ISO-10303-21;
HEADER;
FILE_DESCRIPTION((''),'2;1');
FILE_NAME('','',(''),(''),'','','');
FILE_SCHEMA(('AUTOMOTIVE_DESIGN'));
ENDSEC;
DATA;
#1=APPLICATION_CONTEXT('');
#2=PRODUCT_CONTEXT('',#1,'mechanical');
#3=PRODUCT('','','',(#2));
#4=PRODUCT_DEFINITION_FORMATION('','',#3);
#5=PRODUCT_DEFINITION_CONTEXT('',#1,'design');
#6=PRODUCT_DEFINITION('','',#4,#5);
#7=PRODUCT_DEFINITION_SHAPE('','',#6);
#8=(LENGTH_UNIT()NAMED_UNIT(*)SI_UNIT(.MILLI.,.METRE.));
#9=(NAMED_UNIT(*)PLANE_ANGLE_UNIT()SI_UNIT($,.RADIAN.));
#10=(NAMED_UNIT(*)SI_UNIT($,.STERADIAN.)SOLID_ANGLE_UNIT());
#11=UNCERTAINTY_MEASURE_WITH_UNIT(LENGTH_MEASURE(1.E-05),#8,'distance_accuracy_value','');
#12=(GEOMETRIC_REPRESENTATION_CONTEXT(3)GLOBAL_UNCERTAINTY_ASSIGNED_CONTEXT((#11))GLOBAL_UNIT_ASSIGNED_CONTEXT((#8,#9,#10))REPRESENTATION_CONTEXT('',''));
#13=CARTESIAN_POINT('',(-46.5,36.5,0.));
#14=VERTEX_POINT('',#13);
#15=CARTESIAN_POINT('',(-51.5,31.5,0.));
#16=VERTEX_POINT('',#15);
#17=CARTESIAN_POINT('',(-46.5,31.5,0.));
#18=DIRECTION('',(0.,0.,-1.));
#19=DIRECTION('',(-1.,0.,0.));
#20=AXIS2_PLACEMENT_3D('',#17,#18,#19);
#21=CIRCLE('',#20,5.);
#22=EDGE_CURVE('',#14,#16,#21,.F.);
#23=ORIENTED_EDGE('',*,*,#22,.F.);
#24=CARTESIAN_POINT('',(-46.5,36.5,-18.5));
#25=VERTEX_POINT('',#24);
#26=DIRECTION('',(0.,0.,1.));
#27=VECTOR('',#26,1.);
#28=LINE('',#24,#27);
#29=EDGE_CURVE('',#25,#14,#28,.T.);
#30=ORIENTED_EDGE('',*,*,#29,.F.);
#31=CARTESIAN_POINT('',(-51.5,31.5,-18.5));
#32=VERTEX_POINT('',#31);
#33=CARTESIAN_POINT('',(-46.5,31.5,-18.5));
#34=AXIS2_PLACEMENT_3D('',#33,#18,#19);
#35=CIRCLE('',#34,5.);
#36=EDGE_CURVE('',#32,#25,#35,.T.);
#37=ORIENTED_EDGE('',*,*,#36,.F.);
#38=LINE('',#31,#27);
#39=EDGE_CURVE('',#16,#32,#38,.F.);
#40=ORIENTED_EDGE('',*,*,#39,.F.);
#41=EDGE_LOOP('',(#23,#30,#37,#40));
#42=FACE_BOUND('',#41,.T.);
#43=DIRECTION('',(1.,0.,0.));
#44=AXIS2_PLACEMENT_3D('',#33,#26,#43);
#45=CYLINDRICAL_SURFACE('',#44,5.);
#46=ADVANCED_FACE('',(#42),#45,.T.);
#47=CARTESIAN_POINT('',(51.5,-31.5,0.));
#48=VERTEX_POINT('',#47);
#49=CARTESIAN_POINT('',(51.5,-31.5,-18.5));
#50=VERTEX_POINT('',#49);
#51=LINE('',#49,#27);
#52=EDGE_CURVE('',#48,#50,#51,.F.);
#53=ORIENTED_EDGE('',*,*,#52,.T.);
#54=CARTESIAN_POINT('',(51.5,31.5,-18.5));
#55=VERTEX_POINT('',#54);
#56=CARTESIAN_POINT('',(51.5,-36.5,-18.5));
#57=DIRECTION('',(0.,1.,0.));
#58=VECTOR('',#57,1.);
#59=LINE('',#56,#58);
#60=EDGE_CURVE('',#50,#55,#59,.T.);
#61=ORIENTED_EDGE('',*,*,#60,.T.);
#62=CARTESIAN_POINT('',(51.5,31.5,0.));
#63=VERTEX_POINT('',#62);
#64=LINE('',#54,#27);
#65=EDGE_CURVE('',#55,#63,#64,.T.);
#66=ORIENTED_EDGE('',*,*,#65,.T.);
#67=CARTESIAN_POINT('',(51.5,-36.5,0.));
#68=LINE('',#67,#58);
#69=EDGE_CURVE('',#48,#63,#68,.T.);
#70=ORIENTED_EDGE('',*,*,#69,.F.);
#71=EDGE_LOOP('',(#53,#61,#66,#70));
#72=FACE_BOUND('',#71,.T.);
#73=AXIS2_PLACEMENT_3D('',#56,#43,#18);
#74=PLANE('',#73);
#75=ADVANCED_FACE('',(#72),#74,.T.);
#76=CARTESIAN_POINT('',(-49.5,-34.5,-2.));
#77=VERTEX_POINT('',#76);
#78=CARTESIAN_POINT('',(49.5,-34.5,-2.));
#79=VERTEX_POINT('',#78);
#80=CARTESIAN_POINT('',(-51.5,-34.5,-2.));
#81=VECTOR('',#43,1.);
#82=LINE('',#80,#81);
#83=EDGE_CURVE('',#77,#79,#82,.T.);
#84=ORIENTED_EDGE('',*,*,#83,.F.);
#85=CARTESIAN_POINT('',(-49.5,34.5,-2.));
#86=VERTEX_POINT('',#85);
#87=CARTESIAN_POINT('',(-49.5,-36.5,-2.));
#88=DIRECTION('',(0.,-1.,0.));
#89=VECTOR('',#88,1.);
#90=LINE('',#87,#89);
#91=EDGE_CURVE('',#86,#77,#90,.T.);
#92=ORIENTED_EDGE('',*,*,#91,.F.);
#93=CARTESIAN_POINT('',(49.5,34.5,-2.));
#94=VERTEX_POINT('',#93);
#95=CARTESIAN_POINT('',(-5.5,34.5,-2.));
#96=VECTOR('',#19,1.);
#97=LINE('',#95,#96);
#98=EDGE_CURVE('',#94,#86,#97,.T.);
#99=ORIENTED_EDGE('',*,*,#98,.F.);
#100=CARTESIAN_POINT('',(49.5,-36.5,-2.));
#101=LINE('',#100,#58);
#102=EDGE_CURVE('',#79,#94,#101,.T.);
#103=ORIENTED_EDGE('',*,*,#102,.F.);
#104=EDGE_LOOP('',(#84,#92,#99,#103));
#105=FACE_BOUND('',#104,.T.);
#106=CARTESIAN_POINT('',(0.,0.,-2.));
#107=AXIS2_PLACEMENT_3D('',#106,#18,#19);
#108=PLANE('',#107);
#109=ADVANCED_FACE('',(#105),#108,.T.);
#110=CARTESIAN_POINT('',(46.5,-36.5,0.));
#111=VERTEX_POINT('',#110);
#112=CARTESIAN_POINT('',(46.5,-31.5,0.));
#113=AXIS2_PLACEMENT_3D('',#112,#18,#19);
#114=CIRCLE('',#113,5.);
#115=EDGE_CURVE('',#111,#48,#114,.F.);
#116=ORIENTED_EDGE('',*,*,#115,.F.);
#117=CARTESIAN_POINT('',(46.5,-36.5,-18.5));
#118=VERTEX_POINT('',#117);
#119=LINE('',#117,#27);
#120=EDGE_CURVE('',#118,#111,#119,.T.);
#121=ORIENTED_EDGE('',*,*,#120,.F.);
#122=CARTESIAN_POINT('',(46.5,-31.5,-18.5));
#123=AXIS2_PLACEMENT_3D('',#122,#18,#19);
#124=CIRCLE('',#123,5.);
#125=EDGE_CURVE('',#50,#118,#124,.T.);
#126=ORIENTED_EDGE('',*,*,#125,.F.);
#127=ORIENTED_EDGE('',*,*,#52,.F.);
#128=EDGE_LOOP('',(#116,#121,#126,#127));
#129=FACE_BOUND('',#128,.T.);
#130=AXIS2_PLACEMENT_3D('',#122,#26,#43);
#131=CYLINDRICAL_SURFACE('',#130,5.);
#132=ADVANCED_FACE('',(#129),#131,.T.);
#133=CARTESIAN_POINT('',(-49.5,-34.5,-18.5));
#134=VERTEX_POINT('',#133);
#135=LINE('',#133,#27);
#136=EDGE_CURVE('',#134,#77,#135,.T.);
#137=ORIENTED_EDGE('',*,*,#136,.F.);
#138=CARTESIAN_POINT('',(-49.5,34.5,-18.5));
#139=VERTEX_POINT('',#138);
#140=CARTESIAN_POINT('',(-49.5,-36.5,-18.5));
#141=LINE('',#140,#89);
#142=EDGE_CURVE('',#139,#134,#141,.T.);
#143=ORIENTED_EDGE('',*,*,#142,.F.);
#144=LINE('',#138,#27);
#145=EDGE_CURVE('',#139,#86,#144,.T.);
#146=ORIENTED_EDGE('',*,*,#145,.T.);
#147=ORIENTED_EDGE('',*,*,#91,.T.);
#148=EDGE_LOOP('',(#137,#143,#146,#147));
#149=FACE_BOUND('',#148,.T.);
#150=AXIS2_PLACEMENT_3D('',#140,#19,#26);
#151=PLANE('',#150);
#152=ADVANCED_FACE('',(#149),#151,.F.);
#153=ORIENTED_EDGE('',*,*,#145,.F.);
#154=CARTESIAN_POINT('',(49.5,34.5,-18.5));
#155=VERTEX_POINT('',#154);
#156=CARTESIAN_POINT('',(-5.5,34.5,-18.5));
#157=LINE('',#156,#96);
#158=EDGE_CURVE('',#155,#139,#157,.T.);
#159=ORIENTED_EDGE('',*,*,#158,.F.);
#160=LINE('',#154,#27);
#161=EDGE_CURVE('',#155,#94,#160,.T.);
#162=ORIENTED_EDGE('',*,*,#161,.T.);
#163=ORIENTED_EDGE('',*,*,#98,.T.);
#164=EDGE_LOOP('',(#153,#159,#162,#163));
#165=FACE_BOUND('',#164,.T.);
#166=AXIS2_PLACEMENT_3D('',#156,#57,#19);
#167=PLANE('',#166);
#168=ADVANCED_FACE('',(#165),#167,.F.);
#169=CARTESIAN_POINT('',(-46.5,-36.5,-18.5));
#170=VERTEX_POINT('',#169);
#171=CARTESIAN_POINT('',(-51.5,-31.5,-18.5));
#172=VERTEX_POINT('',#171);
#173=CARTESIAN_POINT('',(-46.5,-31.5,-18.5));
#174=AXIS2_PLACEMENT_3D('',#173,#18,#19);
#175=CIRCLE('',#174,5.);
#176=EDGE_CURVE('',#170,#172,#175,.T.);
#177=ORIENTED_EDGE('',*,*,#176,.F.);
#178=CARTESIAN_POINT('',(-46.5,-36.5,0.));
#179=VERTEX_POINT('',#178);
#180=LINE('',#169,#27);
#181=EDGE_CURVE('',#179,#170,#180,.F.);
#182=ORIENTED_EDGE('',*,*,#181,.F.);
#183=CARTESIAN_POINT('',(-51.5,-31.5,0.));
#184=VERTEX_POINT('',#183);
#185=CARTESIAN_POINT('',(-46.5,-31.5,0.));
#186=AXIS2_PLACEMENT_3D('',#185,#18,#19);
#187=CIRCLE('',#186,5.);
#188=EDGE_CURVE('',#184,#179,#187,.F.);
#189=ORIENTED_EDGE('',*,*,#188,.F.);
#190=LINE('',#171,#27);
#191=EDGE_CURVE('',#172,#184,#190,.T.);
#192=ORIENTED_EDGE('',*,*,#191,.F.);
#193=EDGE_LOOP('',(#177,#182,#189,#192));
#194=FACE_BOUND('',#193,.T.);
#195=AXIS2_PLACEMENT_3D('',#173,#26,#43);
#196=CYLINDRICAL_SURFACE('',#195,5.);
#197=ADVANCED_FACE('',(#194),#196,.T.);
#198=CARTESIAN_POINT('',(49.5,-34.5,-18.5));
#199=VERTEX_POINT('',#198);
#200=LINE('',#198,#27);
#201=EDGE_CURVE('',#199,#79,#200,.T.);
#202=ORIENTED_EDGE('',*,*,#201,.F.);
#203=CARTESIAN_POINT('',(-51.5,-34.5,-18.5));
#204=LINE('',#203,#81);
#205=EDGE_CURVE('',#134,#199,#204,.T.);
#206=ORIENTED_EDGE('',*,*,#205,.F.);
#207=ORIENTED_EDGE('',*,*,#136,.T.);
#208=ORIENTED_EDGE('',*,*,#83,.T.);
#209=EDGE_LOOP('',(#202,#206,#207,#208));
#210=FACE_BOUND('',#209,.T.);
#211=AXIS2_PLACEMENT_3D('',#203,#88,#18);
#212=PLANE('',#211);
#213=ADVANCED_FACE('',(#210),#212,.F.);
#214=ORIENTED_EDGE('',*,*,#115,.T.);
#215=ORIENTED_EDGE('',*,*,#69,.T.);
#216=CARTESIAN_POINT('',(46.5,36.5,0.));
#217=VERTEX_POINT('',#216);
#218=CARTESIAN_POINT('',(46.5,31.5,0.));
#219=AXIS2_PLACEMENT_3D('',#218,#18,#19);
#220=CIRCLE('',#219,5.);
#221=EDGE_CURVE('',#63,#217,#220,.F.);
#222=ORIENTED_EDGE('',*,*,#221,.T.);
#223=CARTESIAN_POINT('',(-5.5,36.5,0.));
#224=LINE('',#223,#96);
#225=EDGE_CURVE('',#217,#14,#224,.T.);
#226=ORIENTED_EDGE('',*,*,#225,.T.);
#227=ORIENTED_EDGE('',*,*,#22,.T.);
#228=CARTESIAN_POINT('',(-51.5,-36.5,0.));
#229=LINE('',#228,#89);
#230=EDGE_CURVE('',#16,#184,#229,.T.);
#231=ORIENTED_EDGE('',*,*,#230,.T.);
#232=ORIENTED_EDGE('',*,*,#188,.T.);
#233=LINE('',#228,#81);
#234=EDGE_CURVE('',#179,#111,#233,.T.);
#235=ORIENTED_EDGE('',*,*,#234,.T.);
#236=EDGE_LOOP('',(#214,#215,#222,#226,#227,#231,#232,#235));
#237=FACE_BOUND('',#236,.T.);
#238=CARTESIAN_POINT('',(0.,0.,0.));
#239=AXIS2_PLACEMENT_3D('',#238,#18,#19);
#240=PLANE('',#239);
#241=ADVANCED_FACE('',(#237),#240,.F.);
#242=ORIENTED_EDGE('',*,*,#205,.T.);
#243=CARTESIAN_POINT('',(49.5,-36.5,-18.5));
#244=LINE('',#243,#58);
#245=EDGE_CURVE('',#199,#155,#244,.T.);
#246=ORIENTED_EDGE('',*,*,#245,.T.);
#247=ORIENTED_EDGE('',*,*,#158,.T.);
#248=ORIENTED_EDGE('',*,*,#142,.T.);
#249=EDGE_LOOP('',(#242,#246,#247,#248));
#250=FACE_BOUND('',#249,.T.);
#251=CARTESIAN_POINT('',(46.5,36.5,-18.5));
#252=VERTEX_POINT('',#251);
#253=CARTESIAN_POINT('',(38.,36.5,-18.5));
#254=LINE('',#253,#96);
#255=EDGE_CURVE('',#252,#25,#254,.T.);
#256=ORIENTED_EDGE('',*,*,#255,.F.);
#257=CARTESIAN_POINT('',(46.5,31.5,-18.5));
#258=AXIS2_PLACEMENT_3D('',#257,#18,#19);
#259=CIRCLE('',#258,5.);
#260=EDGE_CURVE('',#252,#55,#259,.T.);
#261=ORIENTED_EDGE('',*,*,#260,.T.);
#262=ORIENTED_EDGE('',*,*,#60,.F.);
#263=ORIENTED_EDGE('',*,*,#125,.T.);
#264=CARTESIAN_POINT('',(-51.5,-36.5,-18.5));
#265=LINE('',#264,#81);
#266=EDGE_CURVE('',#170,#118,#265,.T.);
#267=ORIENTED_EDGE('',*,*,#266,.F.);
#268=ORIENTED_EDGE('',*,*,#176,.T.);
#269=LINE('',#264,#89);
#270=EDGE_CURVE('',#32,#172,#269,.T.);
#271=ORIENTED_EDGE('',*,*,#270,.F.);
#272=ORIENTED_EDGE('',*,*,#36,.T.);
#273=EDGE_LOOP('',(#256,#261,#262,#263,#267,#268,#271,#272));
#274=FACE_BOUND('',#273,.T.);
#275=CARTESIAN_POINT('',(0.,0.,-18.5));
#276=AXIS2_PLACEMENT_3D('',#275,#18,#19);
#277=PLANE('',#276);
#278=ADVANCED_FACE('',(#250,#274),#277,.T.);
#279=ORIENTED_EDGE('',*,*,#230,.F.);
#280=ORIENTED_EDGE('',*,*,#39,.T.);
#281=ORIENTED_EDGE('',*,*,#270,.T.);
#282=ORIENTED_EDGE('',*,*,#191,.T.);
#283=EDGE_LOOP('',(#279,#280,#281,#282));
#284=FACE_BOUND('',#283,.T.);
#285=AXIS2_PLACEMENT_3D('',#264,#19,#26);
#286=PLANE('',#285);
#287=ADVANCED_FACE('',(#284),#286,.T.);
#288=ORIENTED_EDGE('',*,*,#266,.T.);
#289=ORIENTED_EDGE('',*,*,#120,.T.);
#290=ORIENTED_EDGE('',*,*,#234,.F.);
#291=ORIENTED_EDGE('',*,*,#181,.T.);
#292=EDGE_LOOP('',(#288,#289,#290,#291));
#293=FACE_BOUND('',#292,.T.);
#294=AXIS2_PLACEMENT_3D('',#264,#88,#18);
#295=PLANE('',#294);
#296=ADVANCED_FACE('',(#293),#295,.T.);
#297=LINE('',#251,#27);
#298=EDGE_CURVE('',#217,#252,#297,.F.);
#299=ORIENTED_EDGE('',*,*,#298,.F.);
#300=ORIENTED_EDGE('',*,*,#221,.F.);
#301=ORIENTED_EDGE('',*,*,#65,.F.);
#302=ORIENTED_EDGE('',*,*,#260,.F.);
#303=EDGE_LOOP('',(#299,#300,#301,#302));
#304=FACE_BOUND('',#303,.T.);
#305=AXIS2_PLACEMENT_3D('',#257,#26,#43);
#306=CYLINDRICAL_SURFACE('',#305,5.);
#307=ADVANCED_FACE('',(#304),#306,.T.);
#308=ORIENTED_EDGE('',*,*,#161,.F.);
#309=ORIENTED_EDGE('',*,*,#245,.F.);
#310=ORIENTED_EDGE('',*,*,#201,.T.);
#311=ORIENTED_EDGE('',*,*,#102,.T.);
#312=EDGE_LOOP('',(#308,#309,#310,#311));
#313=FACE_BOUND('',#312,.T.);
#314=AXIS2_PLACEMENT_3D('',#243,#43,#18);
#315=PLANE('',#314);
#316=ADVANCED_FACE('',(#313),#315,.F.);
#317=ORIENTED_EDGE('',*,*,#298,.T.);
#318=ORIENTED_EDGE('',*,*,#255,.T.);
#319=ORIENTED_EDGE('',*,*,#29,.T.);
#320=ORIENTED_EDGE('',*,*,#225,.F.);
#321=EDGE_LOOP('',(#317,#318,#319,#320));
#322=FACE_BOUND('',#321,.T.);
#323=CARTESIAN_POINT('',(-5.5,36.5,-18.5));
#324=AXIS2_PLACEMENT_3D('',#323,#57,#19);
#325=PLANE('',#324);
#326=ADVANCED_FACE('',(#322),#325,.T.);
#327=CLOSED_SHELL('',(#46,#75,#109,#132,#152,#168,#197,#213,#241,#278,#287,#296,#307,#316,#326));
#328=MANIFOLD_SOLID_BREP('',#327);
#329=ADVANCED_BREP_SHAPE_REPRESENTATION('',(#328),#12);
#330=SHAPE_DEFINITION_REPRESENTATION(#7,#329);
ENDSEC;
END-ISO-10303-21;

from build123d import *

# Parameters (mm, degrees)
DODANIE_WYCI_GNI_CIE6_DEPTH = 18.5
SKORUPA2_T                  = -2
FILLET1_R                   = 5


with BuildPart() as part:
    # Szkic5 → Dodanie-wyciągnięcie6 (new body)
    with BuildSketch(Plane.XY):
        Polygon((38, 36.5), (51.5, 36.5), (51.5, -36.5), (-51.5, -36.5), (-51.5, 36.5), (-5.5, 36.5), align=None)
    extrude(amount=-DODANIE_WYCI_GNI_CIE6_DEPTH)

    # Skorupa2
    skorupa2_openings = [part.faces().sort_by_distance(p)[0] for p in [
        (0, 0, -18.5),
    ]]
    offset(amount=SKORUPA2_T, openings=skorupa2_openings, kind=Kind.INTERSECTION)

    # Fillet1
    fillet1_edges = [part.edges().sort_by_distance(p)[0] for p in [
        (51.5, -36.5, -9.25),
        (-51.5, -36.5, -9.25),
        (-51.5, 36.5, -9.25),
        (51.5, 36.5, -9.25),
    ]]
    fillet(fillet1_edges, radius=FILLET1_R)


solid = part.part
